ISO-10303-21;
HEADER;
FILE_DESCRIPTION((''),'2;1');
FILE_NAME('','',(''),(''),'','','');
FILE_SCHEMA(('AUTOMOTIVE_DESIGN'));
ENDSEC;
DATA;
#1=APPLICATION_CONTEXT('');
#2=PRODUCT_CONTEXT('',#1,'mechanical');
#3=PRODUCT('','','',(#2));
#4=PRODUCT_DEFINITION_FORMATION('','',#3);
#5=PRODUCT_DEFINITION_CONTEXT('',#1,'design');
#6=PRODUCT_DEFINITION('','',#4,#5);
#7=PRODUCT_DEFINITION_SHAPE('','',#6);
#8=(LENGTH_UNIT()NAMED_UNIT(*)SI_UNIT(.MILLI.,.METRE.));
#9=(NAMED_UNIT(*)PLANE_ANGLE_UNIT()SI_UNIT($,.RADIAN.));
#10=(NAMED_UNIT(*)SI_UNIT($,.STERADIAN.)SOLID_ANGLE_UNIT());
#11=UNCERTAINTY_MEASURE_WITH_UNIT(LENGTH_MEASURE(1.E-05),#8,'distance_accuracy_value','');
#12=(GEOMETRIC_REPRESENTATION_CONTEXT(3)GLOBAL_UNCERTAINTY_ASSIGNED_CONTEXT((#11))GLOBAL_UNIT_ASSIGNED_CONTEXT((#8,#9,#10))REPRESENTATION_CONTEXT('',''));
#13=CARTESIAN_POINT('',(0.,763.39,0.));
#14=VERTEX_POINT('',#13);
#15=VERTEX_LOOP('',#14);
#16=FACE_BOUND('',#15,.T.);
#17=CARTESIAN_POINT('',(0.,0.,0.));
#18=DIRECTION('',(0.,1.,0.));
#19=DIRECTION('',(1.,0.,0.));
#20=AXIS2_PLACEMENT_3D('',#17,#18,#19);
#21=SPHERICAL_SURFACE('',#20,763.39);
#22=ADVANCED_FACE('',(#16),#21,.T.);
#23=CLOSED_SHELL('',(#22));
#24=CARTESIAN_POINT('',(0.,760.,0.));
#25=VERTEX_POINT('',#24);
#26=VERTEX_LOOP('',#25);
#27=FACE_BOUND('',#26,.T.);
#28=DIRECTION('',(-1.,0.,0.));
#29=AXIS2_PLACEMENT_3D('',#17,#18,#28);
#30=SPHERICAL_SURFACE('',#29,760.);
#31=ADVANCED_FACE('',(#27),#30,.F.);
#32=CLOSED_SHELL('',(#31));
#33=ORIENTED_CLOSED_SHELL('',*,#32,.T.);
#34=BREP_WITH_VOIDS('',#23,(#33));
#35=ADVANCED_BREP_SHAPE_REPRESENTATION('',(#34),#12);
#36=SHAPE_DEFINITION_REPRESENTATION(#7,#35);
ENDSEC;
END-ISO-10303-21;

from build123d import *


with BuildPart() as part:
    # Sketch1 → Revolve1 (revolve)
    with BuildSketch(Plane.XY):
        with BuildLine():
            Line((0, 763.39), (0, 760))
            ThreePointArc((0, 760), (-760, 0), (0, -760))
            Line((0, -760), (0, -763.39))
            ThreePointArc((0, -763.39), (-763.39, 0), (0, 763.39))
        make_face()
    revolve(axis=Axis((0, -760, 0), (0, -1, 0)))


solid = part.part
